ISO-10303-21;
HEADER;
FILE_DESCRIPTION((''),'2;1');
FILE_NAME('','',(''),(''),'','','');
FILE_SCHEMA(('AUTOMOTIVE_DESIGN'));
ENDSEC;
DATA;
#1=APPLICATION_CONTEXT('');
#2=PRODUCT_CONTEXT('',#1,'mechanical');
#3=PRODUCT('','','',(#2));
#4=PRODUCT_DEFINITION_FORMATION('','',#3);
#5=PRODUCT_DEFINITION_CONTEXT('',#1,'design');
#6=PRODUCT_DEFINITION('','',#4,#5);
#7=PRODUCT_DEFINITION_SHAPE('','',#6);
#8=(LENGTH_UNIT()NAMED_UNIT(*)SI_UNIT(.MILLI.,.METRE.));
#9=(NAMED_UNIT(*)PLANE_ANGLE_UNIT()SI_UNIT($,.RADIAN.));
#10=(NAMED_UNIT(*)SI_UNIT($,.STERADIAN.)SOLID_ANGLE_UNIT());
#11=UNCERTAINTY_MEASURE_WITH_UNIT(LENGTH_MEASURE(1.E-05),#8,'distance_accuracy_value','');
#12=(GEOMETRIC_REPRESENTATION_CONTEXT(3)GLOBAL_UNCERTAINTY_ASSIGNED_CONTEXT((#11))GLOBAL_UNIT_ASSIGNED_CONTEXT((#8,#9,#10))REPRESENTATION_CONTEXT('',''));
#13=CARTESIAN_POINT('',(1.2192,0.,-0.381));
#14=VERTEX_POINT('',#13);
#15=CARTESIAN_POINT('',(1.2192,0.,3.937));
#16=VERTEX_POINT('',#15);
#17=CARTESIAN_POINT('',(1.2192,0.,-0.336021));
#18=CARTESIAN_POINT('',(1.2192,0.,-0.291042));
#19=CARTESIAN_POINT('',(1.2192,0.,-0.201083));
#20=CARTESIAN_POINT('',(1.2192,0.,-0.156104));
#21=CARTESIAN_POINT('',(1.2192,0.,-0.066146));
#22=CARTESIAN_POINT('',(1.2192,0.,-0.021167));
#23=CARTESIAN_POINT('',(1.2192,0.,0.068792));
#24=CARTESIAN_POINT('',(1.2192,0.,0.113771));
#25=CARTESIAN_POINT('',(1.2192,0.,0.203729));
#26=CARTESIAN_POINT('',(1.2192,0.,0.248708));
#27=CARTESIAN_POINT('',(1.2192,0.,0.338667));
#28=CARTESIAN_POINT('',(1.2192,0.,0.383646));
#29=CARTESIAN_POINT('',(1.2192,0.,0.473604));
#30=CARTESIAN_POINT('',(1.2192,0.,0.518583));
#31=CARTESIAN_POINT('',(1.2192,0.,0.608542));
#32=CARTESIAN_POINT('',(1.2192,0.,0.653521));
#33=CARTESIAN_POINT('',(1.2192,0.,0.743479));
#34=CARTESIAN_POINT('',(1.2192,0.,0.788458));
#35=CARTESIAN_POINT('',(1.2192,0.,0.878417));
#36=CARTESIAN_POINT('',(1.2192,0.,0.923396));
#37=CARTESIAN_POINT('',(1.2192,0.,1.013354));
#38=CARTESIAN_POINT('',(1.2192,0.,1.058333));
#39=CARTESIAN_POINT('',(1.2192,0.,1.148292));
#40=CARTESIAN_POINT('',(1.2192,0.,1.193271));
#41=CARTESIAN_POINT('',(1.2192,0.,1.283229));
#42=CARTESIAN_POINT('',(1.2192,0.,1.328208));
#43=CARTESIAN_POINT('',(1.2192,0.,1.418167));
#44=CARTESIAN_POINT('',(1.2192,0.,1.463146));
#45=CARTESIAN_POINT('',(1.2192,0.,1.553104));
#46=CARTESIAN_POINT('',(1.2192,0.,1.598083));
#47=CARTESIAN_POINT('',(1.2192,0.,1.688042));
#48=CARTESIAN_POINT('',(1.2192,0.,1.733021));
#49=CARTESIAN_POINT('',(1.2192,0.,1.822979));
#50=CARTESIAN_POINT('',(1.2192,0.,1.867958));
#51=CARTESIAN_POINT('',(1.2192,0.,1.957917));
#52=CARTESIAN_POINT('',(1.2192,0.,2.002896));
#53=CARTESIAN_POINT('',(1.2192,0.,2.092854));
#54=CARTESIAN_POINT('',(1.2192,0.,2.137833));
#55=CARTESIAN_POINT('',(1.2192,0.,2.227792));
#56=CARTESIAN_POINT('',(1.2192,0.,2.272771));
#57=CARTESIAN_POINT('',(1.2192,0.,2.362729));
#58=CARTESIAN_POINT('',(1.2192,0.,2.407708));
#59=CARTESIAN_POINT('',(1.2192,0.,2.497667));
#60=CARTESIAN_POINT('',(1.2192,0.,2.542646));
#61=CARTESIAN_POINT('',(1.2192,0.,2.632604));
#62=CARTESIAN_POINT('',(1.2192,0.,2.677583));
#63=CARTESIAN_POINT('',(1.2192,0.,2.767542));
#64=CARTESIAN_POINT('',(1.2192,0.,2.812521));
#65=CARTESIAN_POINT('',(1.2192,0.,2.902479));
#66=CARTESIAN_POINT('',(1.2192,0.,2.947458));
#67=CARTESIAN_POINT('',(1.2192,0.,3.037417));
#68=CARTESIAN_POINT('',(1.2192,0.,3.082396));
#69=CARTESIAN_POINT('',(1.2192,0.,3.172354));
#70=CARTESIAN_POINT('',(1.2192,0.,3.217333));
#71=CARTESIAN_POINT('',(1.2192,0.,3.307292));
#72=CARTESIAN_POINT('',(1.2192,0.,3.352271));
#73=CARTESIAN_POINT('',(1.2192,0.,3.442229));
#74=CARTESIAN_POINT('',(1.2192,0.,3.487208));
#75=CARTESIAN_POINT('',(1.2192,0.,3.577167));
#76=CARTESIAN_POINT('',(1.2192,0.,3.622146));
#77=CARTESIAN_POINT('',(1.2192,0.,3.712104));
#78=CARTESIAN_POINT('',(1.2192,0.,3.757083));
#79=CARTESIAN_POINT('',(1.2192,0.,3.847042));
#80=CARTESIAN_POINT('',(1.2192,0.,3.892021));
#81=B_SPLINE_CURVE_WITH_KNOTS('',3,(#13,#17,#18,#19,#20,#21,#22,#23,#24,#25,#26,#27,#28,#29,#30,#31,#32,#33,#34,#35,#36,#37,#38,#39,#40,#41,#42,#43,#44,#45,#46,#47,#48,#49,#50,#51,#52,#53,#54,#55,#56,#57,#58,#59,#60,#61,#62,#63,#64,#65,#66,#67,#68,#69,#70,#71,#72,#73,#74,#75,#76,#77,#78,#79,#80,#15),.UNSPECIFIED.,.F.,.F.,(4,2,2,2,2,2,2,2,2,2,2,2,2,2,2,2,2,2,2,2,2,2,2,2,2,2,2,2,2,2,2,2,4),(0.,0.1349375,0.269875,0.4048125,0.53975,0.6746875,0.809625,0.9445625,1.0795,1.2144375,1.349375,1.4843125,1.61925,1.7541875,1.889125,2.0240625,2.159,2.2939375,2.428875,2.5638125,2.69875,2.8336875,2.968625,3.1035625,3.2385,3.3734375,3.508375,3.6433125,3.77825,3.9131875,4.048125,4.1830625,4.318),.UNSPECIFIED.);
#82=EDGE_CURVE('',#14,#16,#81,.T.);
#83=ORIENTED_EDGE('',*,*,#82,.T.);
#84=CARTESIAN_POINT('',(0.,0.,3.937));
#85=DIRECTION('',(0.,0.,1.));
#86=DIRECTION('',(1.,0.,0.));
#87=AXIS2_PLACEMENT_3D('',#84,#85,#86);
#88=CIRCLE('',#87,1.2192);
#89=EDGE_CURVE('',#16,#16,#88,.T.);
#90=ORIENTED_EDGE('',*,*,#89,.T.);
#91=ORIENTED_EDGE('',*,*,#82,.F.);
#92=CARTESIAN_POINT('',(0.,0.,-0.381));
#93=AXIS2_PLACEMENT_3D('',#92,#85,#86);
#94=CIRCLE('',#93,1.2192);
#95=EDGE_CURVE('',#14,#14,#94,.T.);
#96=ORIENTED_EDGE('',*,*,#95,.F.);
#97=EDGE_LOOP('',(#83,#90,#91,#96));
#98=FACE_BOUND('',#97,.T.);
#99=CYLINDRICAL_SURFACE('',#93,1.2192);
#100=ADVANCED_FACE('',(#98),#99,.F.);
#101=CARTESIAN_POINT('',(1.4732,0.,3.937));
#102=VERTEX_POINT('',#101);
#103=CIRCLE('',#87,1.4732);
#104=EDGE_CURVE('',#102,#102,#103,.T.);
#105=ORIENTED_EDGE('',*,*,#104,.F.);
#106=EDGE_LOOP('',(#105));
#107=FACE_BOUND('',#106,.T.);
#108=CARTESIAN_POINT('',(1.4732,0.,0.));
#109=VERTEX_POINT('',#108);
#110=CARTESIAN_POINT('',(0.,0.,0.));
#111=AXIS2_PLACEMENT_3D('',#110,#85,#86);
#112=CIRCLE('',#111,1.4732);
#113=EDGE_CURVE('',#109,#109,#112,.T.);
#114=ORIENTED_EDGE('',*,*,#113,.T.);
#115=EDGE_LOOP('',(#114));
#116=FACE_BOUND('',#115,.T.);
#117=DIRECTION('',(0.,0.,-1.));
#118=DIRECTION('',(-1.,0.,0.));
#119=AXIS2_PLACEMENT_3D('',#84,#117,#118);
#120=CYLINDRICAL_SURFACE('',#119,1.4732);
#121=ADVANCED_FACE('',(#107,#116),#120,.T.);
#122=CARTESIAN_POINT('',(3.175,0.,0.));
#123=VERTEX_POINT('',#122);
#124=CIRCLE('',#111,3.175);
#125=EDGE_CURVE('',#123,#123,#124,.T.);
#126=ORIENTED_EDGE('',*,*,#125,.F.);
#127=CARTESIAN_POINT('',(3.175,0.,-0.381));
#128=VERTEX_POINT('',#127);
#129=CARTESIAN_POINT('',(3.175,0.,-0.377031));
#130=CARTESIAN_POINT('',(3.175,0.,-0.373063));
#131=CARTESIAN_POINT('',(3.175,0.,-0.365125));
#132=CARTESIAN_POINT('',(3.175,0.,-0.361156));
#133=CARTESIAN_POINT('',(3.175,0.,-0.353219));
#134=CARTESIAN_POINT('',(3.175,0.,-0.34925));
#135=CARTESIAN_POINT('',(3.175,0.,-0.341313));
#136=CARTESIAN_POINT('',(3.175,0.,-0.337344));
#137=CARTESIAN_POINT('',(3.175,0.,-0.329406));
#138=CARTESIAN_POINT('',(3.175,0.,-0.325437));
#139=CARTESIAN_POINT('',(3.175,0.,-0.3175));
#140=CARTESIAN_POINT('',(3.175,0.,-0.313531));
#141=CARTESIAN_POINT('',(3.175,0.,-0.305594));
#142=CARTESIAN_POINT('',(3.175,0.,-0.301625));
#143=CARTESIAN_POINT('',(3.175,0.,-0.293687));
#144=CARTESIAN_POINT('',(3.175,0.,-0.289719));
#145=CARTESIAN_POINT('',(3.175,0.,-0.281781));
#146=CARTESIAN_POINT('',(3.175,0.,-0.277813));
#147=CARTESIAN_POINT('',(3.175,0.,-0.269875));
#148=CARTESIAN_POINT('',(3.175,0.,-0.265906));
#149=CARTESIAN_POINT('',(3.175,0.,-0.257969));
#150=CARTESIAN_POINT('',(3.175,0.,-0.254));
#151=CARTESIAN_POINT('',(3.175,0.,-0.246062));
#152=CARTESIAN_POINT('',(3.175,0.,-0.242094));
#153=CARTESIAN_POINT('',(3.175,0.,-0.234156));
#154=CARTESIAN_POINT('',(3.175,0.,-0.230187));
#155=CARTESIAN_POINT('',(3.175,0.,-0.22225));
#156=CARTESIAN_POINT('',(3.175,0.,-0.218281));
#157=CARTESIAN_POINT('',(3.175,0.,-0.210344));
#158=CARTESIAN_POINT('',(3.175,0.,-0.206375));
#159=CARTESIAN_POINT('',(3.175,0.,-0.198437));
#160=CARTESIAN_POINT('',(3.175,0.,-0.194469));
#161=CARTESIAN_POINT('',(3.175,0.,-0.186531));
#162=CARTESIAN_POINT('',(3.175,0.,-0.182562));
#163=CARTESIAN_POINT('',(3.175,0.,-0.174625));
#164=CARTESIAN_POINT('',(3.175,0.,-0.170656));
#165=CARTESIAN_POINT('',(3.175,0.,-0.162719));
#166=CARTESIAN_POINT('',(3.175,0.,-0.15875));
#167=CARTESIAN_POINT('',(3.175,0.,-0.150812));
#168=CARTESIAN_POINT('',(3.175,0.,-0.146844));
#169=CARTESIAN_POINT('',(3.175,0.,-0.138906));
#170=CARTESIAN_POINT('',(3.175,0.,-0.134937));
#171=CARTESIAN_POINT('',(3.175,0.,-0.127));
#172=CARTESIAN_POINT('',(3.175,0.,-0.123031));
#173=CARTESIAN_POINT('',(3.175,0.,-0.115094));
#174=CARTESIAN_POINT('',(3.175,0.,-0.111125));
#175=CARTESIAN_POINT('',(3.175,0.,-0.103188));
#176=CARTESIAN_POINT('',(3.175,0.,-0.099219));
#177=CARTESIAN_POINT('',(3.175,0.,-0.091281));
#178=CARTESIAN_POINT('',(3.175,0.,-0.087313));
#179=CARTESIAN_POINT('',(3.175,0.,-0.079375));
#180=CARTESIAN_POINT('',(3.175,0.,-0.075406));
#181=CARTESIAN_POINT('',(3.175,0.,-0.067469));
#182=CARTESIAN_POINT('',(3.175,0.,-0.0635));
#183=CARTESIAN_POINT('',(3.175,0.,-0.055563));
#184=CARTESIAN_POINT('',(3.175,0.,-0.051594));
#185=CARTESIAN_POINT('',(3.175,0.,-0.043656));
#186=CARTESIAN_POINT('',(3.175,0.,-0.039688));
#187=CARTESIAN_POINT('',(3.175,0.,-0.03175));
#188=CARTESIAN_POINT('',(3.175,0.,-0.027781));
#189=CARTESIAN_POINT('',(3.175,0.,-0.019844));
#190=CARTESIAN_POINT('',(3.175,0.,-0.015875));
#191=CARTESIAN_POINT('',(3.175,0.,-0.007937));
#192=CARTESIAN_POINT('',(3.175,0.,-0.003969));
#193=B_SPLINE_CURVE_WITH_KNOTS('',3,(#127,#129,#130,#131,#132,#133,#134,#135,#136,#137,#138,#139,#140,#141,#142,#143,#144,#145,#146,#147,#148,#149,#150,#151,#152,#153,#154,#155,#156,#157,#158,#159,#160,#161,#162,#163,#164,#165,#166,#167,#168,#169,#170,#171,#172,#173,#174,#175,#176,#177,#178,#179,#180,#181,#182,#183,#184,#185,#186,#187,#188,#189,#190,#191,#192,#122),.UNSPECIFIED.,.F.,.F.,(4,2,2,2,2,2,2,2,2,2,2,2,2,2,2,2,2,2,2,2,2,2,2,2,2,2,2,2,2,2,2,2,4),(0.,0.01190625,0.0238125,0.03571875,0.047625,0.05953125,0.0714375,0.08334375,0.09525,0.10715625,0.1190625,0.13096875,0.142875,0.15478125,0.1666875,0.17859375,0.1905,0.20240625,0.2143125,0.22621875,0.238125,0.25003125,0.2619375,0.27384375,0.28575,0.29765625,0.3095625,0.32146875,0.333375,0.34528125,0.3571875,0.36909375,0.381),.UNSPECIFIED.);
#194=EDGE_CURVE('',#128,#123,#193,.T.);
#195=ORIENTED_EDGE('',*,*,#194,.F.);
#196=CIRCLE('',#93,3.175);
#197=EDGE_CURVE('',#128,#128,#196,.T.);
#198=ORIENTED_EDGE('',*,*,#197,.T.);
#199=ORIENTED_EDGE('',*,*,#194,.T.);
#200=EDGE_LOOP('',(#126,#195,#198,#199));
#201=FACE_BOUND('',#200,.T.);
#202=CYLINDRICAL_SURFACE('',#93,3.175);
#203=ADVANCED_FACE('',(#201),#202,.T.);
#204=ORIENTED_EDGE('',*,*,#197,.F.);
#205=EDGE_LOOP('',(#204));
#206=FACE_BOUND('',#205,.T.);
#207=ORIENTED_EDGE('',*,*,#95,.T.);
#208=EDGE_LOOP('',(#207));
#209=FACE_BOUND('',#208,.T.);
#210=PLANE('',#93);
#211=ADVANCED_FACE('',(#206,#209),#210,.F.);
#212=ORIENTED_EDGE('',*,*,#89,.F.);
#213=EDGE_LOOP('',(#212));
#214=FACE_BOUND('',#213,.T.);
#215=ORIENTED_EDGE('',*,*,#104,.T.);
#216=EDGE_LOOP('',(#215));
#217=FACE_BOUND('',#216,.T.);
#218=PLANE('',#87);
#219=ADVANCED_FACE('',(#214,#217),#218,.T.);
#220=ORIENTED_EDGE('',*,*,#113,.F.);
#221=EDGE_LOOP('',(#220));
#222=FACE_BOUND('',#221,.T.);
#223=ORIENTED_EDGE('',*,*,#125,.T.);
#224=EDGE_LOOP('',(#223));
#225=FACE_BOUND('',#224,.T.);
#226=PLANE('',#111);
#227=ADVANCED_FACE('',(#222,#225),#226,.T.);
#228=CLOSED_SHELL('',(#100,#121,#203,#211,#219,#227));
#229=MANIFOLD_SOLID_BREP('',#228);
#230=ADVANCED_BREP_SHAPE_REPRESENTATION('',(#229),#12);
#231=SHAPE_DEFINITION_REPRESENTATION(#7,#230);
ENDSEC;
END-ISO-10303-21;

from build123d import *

# Parameters (mm, degrees)
SKETCH1_R           = 3.175
SKETCH1_R_2         = 1.2192
BOSS_EXTRUDE1_DEPTH = 0.381
BOSS_EXTRUDE2_START = 3.937
SKETCH1_3_R         = 1.4732
SKETCH1_3_R_2       = 1.2192
BOSS_EXTRUDE2_DEPTH = 3.937


with BuildPart() as part:
    # Sketch1 → Boss-Extrude1 (new body)
    with BuildSketch(Plane.XY):
        Circle(SKETCH1_R)
        Circle(SKETCH1_R_2, mode=Mode.SUBTRACT)
    extrude(amount=-BOSS_EXTRUDE1_DEPTH)

    # Sketch1<3> → Boss-Extrude2 (add)
    with BuildSketch(Plane.XY.offset(BOSS_EXTRUDE2_START)):
        Circle(SKETCH1_3_R)
        Circle(SKETCH1_3_R_2, mode=Mode.SUBTRACT)
    extrude(amount=-BOSS_EXTRUDE2_DEPTH)


solid = part.part
